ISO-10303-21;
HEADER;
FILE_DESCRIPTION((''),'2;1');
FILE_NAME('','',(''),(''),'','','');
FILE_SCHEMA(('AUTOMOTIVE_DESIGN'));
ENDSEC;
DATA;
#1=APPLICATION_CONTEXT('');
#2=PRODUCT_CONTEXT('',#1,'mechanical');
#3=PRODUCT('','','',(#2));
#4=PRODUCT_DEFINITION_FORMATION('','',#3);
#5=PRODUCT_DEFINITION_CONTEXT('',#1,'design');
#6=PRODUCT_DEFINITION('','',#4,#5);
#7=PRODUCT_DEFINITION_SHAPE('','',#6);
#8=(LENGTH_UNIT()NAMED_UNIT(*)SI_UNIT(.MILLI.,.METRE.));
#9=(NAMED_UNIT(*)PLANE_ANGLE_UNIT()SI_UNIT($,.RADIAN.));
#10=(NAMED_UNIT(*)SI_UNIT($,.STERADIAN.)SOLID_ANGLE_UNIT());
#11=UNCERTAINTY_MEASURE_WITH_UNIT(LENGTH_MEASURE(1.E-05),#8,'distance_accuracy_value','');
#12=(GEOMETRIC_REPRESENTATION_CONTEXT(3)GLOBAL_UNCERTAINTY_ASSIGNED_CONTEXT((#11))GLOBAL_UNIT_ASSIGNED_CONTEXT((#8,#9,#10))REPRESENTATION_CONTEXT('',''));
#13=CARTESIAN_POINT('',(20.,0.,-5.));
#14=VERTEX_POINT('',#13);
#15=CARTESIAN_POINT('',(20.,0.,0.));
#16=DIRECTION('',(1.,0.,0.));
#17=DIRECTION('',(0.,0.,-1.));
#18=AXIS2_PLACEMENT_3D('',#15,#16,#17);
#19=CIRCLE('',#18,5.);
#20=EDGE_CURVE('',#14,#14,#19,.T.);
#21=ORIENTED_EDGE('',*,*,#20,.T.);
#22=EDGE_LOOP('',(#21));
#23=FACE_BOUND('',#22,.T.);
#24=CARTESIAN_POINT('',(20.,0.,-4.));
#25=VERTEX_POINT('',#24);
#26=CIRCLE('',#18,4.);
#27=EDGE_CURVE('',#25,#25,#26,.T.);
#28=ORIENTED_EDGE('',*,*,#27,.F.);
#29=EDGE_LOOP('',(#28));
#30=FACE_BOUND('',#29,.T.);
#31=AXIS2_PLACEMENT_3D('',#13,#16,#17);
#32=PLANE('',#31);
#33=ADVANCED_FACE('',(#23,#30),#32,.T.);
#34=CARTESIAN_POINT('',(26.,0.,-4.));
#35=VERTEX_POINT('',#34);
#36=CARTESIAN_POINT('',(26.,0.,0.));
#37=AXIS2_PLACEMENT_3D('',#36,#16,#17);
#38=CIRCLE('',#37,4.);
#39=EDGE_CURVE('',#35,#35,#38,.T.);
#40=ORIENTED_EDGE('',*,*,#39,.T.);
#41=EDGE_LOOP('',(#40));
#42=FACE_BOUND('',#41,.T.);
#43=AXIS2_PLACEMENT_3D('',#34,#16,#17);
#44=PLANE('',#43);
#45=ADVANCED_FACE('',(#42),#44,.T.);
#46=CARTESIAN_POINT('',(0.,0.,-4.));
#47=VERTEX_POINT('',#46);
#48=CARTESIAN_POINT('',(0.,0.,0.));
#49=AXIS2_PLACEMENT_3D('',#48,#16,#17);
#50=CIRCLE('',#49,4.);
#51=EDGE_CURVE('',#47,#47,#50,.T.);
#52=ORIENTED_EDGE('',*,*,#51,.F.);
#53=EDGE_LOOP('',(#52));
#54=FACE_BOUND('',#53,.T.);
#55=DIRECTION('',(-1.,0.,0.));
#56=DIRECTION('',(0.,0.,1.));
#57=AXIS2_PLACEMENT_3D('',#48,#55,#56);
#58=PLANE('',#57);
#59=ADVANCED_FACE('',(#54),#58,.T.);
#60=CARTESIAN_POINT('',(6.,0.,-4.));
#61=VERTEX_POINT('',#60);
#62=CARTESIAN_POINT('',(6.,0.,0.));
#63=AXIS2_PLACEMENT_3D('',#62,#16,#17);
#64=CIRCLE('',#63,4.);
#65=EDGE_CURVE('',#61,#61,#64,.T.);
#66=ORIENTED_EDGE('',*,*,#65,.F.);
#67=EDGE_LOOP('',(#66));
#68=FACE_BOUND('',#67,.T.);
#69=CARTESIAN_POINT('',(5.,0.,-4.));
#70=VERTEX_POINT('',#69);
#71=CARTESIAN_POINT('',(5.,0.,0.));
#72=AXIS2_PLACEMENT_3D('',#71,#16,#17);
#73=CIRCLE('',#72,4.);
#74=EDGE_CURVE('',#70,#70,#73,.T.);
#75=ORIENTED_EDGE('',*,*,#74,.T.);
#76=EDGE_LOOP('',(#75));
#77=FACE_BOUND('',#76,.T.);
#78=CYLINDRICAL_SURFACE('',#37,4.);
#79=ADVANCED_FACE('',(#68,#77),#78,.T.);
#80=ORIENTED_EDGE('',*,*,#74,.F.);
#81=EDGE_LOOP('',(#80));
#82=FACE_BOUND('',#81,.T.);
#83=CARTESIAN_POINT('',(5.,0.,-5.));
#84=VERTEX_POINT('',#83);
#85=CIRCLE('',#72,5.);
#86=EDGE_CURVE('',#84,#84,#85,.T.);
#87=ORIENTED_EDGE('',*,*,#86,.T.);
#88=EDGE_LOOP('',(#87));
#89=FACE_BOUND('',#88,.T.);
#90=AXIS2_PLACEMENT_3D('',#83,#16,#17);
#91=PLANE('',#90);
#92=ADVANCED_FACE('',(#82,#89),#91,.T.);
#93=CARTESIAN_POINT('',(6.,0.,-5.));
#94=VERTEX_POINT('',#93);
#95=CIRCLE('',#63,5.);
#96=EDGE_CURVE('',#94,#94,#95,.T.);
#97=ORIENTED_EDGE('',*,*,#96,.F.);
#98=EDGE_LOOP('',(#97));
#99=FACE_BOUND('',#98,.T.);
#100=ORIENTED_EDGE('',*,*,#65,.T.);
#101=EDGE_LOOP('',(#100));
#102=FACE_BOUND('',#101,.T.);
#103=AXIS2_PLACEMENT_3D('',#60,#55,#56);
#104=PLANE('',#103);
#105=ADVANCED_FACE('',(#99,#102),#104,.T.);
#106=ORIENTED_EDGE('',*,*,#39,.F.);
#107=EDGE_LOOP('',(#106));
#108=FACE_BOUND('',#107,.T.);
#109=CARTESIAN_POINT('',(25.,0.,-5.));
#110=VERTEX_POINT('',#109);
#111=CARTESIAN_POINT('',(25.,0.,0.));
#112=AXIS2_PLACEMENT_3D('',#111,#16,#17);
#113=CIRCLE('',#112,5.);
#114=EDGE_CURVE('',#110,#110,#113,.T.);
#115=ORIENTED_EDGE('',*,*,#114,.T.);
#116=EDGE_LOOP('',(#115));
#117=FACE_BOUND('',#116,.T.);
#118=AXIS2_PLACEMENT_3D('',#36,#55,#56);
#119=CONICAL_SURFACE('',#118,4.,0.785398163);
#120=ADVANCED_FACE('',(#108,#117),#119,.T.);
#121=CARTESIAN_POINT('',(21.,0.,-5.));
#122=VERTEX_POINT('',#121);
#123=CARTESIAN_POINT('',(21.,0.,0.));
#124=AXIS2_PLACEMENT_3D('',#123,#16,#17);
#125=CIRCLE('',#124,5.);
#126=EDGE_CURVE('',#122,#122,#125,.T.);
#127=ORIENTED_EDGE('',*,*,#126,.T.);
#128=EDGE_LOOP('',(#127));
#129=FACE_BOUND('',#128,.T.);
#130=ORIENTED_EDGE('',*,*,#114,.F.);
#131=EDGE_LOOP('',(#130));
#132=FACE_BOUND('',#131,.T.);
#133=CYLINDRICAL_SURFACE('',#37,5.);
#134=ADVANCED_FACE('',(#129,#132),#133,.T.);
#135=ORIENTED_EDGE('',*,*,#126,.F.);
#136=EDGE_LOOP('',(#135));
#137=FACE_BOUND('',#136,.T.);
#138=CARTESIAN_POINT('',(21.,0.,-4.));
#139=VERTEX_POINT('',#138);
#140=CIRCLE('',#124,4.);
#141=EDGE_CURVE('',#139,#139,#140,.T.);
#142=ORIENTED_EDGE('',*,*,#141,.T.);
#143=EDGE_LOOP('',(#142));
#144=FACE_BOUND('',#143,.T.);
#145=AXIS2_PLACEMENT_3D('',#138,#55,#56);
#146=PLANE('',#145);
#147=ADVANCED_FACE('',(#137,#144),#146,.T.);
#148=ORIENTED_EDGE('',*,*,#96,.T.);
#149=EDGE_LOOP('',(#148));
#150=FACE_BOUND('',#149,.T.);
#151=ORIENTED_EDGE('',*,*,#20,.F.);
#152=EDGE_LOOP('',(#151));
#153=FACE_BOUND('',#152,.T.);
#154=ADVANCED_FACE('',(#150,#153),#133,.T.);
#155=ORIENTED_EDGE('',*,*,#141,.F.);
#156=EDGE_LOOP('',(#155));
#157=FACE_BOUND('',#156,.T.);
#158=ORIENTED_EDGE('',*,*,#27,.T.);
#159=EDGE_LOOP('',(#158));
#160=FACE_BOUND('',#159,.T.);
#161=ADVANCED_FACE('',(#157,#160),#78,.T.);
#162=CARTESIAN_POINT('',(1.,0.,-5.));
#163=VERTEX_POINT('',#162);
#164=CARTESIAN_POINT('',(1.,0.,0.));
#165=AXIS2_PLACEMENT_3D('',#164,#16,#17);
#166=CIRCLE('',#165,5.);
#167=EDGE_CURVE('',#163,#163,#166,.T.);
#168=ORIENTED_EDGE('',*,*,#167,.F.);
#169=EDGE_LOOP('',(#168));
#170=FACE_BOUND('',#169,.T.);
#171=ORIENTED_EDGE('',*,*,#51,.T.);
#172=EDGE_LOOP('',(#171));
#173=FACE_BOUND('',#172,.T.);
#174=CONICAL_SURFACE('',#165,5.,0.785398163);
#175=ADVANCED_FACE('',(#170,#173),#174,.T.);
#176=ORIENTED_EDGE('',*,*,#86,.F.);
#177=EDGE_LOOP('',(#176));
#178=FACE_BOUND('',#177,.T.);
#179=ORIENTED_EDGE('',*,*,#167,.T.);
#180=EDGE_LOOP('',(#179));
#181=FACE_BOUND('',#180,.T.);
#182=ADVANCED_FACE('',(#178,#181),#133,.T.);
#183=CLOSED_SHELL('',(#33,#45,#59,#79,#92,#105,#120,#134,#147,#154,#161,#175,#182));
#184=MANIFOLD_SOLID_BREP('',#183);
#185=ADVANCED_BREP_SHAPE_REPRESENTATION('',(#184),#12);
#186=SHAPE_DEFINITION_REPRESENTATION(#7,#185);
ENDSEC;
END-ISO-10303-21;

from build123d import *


with BuildPart() as part:
    # Sketch1 → Revolve1 (revolve)
    with BuildSketch(Plane(origin=(0, 0, 0), x_dir=(1, 0, 0), z_dir=(0, 1, 0))):
        Polygon((0, 0), (0, 4), (1, 5), (5, 5), (5, 4), (6, 4), (6, 5), (20, 5), (20, 4), (21, 4), (21, 5), (25, 5), (26, 4), (26, 0), align=None)
    revolve(axis=Axis((26, 0, 0), (-1, 0, 0)))


solid = part.part
